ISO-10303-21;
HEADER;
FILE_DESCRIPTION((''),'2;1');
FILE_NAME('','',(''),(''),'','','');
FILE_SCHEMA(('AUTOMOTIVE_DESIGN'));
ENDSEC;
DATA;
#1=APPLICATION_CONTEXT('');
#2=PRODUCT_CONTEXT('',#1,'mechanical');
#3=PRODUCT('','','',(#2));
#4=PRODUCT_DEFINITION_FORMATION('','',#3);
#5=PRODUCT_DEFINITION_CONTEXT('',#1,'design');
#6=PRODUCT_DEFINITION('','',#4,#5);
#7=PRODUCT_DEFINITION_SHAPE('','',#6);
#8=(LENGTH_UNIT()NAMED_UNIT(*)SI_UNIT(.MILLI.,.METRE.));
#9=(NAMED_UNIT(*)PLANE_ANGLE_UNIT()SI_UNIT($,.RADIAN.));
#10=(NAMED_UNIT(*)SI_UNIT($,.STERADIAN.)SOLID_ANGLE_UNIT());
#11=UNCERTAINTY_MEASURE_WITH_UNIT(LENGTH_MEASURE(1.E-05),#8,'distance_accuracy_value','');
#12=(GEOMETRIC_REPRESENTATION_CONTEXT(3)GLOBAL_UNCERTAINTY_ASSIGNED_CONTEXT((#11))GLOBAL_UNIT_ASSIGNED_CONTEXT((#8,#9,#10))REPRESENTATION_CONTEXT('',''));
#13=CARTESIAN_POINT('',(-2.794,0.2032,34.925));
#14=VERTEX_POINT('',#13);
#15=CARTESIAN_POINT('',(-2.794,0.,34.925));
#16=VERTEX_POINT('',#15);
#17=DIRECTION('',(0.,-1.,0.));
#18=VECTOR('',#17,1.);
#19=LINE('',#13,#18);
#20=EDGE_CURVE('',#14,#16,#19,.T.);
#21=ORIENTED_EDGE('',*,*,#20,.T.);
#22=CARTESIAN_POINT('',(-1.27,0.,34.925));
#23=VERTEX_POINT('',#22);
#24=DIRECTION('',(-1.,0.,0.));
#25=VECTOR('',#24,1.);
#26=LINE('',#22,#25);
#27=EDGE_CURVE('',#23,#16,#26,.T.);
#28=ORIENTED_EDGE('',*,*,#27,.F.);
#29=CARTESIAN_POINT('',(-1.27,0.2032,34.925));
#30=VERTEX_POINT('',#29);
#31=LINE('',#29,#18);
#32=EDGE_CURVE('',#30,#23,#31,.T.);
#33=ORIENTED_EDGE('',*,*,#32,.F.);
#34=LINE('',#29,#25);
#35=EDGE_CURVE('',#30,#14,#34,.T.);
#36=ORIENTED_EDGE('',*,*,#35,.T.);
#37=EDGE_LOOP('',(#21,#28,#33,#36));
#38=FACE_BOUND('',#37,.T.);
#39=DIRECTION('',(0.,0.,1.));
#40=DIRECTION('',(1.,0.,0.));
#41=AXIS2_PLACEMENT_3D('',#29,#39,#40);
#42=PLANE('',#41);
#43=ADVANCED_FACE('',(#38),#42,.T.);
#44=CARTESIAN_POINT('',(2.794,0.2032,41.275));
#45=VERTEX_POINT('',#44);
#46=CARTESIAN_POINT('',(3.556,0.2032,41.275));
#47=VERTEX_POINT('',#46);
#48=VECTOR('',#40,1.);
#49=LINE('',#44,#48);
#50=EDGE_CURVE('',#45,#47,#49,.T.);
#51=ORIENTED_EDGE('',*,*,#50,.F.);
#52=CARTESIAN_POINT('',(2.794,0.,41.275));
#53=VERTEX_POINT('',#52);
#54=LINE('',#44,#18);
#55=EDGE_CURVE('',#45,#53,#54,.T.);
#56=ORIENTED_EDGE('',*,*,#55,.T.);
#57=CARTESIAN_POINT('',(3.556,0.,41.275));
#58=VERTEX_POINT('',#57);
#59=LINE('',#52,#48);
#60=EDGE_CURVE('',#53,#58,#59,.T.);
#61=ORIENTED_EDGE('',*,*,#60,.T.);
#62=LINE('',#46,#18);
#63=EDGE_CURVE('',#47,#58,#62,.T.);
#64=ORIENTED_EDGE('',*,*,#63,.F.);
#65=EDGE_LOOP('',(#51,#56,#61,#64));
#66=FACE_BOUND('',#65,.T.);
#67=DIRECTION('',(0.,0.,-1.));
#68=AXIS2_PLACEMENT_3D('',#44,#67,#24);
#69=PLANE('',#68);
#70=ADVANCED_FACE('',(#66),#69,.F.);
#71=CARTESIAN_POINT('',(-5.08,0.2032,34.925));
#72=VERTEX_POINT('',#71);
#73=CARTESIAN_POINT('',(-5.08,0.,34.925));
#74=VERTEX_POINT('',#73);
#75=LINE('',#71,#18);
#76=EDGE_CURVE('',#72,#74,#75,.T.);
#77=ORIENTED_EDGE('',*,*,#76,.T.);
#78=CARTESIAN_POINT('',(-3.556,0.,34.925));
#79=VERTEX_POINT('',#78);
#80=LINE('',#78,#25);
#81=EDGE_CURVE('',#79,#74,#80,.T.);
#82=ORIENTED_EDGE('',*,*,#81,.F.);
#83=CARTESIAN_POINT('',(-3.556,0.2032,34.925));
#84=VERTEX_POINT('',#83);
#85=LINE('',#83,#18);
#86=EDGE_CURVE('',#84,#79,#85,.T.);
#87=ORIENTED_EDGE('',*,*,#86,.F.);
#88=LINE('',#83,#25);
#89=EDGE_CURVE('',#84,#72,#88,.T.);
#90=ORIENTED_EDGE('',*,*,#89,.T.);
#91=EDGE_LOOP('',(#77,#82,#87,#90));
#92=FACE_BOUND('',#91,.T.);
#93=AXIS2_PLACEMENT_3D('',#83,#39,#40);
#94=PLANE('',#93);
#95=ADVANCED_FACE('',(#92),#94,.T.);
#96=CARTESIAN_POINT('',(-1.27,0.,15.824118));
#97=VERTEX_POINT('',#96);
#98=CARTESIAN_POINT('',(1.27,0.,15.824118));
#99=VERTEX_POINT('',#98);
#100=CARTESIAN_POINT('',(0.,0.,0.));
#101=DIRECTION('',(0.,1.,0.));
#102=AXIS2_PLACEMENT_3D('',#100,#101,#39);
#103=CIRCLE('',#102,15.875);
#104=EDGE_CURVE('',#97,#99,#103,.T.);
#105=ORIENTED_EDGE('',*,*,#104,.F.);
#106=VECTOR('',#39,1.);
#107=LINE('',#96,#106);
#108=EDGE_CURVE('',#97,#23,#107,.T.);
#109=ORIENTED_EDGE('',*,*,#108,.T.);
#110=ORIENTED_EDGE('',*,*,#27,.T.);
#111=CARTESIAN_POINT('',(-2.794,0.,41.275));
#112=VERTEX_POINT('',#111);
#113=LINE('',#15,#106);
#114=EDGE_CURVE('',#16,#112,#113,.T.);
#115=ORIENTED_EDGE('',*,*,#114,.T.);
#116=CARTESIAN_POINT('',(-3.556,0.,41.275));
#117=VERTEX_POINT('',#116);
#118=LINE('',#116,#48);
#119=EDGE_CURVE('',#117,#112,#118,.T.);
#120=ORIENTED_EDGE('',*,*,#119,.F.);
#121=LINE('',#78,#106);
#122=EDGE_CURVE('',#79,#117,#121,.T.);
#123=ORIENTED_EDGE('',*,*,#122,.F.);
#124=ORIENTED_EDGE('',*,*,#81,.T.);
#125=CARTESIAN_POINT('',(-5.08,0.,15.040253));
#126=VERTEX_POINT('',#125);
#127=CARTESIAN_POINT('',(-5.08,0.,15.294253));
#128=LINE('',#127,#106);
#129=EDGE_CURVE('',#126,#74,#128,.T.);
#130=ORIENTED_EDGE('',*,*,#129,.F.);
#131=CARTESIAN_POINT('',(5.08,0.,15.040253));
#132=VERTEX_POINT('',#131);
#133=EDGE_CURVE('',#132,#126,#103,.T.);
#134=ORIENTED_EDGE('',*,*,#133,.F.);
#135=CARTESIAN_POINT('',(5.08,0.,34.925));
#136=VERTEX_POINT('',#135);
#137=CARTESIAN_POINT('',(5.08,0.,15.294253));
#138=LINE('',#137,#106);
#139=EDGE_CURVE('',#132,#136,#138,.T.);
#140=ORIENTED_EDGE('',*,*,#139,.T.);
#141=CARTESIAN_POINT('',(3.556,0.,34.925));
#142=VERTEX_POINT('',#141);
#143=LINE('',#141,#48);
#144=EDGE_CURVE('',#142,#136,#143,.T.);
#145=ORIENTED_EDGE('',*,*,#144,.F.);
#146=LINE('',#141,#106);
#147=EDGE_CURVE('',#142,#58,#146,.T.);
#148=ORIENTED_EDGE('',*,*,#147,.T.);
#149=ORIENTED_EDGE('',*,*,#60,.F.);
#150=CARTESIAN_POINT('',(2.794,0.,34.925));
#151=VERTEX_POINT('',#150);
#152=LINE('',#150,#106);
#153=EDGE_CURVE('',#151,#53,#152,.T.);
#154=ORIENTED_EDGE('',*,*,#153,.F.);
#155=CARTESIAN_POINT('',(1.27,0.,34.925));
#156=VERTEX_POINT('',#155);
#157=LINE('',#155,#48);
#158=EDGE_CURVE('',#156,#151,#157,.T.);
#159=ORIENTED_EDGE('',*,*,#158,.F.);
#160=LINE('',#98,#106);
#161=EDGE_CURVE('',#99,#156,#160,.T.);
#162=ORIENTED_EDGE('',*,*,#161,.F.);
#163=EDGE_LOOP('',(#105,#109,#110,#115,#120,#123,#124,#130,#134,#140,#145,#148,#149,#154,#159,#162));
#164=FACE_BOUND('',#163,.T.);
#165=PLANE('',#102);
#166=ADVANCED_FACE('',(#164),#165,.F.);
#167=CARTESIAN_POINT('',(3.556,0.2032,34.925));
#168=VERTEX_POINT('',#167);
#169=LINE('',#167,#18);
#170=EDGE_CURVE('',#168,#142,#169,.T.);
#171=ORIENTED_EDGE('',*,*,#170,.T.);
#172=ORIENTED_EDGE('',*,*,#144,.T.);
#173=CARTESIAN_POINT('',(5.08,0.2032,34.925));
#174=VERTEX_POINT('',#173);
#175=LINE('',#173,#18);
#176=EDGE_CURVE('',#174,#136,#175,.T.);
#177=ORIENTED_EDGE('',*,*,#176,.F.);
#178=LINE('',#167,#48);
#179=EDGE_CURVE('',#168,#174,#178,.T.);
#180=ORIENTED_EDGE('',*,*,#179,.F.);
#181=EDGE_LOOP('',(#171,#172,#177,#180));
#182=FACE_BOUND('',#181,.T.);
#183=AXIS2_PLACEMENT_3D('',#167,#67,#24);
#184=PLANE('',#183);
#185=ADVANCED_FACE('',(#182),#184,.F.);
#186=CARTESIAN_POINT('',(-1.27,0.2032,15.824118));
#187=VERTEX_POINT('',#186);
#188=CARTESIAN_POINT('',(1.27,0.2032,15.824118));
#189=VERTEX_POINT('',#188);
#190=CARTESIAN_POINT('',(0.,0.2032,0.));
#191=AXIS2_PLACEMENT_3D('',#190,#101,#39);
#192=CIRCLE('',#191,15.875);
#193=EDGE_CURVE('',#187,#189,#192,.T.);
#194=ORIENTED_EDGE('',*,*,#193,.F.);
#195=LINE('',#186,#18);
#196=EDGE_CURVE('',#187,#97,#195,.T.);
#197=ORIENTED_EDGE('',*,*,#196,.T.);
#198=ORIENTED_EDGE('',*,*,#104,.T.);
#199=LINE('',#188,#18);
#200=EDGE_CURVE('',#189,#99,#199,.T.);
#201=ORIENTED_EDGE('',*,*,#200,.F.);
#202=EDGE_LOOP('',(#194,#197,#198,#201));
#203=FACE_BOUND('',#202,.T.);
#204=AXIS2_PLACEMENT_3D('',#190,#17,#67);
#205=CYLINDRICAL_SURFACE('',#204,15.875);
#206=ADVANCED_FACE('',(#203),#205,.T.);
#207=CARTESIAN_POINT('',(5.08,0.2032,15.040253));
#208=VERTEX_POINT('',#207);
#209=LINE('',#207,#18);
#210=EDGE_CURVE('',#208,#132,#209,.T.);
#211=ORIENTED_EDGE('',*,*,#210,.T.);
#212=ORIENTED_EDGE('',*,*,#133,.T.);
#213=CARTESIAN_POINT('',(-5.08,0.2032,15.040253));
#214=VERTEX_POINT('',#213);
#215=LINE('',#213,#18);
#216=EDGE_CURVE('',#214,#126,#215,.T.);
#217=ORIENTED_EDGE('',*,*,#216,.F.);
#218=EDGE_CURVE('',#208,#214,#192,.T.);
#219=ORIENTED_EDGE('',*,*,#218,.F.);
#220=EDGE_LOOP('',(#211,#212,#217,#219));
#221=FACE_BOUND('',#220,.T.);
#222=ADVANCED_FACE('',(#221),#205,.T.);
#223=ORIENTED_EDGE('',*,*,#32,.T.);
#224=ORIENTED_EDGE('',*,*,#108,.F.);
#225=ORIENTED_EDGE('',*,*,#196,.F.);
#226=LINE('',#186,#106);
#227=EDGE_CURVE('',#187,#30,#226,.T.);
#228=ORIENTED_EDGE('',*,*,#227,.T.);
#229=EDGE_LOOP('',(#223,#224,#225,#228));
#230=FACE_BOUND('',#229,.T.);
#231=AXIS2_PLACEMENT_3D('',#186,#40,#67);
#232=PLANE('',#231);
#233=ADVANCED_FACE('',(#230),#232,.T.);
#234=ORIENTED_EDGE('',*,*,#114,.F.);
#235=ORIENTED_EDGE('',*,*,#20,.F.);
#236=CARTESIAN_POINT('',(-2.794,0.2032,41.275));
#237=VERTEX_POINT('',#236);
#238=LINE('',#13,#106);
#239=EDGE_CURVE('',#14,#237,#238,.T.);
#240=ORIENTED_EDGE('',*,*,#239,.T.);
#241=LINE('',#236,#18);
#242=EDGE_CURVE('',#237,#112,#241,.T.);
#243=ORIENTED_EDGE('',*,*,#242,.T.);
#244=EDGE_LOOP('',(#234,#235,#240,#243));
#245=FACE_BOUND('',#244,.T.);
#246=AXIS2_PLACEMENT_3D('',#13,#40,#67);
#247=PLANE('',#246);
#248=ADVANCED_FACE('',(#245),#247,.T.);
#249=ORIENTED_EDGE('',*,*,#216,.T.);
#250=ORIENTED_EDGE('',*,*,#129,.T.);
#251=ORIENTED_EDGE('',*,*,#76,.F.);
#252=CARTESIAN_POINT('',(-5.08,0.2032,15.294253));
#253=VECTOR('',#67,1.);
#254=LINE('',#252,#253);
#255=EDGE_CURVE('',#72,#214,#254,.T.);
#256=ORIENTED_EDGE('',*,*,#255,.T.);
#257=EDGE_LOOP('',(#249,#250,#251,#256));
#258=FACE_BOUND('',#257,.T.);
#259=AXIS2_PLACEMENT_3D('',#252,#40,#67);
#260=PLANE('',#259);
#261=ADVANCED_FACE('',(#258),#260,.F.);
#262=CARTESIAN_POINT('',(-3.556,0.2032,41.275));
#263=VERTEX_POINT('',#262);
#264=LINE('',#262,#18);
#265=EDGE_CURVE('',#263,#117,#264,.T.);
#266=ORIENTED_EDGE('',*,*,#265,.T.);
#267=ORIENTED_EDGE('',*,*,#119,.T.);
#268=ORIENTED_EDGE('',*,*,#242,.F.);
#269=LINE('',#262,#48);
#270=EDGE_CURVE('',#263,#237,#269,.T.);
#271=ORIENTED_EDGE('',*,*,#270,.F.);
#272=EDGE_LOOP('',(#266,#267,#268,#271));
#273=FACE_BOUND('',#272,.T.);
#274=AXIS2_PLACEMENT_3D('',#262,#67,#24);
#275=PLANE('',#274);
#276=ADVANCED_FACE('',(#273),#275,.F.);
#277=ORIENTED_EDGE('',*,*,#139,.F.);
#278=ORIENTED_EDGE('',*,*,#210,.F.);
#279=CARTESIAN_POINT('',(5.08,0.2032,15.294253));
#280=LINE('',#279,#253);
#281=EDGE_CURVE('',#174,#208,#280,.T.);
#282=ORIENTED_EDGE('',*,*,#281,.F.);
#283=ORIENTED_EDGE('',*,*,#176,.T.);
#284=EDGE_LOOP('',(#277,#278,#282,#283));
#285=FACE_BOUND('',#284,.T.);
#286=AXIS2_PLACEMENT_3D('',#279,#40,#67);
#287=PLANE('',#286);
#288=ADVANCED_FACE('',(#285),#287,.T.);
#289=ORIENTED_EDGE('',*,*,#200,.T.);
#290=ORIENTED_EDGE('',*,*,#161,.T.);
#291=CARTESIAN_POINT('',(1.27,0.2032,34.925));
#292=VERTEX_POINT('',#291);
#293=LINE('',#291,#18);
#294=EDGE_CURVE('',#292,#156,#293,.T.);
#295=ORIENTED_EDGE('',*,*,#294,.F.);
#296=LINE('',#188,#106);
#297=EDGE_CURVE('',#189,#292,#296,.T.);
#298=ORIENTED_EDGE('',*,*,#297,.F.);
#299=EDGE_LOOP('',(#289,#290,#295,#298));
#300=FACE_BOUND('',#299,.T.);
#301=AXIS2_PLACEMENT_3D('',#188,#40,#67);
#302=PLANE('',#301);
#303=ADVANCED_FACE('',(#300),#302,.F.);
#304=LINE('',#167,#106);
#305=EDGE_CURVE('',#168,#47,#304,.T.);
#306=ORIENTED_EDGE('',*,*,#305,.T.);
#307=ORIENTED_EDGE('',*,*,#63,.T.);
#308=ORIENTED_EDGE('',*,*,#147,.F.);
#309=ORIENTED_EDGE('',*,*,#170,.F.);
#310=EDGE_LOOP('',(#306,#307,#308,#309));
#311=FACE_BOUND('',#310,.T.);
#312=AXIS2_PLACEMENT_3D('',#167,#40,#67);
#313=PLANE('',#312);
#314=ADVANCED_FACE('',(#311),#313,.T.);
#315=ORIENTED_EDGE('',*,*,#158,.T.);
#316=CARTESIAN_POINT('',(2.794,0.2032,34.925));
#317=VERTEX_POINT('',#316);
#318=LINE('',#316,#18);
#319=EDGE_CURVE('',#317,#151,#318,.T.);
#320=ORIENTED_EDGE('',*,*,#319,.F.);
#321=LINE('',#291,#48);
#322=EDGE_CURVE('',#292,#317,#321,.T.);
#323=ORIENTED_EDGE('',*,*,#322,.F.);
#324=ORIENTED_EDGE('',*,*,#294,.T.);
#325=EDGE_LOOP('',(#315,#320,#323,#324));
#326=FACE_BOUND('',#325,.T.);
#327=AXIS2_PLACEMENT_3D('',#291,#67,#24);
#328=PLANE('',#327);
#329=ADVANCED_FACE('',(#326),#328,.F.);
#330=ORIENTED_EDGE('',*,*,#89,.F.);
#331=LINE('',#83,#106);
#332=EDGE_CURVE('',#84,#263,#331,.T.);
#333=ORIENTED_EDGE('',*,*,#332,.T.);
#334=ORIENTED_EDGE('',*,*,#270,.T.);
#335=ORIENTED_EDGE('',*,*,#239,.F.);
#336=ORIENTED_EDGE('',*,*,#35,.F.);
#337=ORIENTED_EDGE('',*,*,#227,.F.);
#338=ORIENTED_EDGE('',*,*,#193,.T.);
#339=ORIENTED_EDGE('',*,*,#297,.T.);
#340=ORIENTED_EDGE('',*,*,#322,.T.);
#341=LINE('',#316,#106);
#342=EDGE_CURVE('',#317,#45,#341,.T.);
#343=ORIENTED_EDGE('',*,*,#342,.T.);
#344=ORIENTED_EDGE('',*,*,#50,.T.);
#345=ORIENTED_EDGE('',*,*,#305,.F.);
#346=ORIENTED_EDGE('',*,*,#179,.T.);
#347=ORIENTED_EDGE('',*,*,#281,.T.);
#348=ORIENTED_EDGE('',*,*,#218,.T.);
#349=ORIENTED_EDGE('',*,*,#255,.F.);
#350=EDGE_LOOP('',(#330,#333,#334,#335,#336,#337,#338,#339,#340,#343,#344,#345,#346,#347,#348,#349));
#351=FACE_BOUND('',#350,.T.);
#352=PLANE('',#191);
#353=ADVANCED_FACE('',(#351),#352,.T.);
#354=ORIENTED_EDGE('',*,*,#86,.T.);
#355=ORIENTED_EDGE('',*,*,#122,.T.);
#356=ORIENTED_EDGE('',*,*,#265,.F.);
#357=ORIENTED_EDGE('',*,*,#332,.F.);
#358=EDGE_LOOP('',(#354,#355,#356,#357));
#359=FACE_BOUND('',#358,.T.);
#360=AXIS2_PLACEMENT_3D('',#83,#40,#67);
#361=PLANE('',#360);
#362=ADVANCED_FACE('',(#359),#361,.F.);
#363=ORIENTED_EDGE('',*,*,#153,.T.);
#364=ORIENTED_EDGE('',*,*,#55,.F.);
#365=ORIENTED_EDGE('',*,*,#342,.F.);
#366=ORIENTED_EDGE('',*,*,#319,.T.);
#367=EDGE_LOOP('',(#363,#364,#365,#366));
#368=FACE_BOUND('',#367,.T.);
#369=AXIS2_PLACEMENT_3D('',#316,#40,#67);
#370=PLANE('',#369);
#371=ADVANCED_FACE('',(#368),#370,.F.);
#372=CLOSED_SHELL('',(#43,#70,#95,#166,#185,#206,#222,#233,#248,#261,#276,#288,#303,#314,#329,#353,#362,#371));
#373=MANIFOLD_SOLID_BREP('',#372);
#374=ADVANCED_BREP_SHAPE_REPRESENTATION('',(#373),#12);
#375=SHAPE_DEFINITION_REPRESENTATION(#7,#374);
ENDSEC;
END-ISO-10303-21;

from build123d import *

# Parameters (mm, degrees)
BOSS_EXTRUDE1_DEPTH = 0.2032


with BuildPart() as part:
    # Sketch1 → Boss-Extrude1 (new body)
    with BuildSketch(Plane(origin=(0, 0, 0), x_dir=(1, 0, 0), z_dir=(0, 1, 0))):
        with BuildLine():
            Line((-1.27, -15.824118459), (-1.27, -34.925))
            Line((-1.27, -34.925), (-2.794, -34.925))
            Line((-2.794, -34.925), (-2.794, -41.275))
            Line((-2.794, -41.275), (-3.556, -41.275))
            Line((-3.556, -41.275), (-3.556, -34.925))
            Line((-3.556, -34.925), (-5.08, -34.925))
            Line((-5.08, -34.925), (-5.08, -15.294253489))
            Line((-5.08, -15.294253489), (-5.08, -15.040253489))
            ThreePointArc((-5.08, -15.040253489), (0, 15.875), (5.08, -15.040253489))
            Line((5.08, -15.040253489), (5.08, -15.294253489))
            Line((5.08, -15.294253489), (5.08, -34.925))
            Line((5.08, -34.925), (3.556, -34.925))
            Line((3.556, -34.925), (3.556, -41.275))
            Line((3.556, -41.275), (2.794, -41.275))
            Line((2.794, -41.275), (2.794, -34.925))
            Line((2.794, -34.925), (1.27, -34.925))
            Line((1.27, -34.925), (1.27, -15.824118459))
            ThreePointArc((1.27, -15.824118459), (0, -15.875), (-1.27, -15.824118459))
        make_face()
    extrude(amount=BOSS_EXTRUDE1_DEPTH)


solid = part.part
